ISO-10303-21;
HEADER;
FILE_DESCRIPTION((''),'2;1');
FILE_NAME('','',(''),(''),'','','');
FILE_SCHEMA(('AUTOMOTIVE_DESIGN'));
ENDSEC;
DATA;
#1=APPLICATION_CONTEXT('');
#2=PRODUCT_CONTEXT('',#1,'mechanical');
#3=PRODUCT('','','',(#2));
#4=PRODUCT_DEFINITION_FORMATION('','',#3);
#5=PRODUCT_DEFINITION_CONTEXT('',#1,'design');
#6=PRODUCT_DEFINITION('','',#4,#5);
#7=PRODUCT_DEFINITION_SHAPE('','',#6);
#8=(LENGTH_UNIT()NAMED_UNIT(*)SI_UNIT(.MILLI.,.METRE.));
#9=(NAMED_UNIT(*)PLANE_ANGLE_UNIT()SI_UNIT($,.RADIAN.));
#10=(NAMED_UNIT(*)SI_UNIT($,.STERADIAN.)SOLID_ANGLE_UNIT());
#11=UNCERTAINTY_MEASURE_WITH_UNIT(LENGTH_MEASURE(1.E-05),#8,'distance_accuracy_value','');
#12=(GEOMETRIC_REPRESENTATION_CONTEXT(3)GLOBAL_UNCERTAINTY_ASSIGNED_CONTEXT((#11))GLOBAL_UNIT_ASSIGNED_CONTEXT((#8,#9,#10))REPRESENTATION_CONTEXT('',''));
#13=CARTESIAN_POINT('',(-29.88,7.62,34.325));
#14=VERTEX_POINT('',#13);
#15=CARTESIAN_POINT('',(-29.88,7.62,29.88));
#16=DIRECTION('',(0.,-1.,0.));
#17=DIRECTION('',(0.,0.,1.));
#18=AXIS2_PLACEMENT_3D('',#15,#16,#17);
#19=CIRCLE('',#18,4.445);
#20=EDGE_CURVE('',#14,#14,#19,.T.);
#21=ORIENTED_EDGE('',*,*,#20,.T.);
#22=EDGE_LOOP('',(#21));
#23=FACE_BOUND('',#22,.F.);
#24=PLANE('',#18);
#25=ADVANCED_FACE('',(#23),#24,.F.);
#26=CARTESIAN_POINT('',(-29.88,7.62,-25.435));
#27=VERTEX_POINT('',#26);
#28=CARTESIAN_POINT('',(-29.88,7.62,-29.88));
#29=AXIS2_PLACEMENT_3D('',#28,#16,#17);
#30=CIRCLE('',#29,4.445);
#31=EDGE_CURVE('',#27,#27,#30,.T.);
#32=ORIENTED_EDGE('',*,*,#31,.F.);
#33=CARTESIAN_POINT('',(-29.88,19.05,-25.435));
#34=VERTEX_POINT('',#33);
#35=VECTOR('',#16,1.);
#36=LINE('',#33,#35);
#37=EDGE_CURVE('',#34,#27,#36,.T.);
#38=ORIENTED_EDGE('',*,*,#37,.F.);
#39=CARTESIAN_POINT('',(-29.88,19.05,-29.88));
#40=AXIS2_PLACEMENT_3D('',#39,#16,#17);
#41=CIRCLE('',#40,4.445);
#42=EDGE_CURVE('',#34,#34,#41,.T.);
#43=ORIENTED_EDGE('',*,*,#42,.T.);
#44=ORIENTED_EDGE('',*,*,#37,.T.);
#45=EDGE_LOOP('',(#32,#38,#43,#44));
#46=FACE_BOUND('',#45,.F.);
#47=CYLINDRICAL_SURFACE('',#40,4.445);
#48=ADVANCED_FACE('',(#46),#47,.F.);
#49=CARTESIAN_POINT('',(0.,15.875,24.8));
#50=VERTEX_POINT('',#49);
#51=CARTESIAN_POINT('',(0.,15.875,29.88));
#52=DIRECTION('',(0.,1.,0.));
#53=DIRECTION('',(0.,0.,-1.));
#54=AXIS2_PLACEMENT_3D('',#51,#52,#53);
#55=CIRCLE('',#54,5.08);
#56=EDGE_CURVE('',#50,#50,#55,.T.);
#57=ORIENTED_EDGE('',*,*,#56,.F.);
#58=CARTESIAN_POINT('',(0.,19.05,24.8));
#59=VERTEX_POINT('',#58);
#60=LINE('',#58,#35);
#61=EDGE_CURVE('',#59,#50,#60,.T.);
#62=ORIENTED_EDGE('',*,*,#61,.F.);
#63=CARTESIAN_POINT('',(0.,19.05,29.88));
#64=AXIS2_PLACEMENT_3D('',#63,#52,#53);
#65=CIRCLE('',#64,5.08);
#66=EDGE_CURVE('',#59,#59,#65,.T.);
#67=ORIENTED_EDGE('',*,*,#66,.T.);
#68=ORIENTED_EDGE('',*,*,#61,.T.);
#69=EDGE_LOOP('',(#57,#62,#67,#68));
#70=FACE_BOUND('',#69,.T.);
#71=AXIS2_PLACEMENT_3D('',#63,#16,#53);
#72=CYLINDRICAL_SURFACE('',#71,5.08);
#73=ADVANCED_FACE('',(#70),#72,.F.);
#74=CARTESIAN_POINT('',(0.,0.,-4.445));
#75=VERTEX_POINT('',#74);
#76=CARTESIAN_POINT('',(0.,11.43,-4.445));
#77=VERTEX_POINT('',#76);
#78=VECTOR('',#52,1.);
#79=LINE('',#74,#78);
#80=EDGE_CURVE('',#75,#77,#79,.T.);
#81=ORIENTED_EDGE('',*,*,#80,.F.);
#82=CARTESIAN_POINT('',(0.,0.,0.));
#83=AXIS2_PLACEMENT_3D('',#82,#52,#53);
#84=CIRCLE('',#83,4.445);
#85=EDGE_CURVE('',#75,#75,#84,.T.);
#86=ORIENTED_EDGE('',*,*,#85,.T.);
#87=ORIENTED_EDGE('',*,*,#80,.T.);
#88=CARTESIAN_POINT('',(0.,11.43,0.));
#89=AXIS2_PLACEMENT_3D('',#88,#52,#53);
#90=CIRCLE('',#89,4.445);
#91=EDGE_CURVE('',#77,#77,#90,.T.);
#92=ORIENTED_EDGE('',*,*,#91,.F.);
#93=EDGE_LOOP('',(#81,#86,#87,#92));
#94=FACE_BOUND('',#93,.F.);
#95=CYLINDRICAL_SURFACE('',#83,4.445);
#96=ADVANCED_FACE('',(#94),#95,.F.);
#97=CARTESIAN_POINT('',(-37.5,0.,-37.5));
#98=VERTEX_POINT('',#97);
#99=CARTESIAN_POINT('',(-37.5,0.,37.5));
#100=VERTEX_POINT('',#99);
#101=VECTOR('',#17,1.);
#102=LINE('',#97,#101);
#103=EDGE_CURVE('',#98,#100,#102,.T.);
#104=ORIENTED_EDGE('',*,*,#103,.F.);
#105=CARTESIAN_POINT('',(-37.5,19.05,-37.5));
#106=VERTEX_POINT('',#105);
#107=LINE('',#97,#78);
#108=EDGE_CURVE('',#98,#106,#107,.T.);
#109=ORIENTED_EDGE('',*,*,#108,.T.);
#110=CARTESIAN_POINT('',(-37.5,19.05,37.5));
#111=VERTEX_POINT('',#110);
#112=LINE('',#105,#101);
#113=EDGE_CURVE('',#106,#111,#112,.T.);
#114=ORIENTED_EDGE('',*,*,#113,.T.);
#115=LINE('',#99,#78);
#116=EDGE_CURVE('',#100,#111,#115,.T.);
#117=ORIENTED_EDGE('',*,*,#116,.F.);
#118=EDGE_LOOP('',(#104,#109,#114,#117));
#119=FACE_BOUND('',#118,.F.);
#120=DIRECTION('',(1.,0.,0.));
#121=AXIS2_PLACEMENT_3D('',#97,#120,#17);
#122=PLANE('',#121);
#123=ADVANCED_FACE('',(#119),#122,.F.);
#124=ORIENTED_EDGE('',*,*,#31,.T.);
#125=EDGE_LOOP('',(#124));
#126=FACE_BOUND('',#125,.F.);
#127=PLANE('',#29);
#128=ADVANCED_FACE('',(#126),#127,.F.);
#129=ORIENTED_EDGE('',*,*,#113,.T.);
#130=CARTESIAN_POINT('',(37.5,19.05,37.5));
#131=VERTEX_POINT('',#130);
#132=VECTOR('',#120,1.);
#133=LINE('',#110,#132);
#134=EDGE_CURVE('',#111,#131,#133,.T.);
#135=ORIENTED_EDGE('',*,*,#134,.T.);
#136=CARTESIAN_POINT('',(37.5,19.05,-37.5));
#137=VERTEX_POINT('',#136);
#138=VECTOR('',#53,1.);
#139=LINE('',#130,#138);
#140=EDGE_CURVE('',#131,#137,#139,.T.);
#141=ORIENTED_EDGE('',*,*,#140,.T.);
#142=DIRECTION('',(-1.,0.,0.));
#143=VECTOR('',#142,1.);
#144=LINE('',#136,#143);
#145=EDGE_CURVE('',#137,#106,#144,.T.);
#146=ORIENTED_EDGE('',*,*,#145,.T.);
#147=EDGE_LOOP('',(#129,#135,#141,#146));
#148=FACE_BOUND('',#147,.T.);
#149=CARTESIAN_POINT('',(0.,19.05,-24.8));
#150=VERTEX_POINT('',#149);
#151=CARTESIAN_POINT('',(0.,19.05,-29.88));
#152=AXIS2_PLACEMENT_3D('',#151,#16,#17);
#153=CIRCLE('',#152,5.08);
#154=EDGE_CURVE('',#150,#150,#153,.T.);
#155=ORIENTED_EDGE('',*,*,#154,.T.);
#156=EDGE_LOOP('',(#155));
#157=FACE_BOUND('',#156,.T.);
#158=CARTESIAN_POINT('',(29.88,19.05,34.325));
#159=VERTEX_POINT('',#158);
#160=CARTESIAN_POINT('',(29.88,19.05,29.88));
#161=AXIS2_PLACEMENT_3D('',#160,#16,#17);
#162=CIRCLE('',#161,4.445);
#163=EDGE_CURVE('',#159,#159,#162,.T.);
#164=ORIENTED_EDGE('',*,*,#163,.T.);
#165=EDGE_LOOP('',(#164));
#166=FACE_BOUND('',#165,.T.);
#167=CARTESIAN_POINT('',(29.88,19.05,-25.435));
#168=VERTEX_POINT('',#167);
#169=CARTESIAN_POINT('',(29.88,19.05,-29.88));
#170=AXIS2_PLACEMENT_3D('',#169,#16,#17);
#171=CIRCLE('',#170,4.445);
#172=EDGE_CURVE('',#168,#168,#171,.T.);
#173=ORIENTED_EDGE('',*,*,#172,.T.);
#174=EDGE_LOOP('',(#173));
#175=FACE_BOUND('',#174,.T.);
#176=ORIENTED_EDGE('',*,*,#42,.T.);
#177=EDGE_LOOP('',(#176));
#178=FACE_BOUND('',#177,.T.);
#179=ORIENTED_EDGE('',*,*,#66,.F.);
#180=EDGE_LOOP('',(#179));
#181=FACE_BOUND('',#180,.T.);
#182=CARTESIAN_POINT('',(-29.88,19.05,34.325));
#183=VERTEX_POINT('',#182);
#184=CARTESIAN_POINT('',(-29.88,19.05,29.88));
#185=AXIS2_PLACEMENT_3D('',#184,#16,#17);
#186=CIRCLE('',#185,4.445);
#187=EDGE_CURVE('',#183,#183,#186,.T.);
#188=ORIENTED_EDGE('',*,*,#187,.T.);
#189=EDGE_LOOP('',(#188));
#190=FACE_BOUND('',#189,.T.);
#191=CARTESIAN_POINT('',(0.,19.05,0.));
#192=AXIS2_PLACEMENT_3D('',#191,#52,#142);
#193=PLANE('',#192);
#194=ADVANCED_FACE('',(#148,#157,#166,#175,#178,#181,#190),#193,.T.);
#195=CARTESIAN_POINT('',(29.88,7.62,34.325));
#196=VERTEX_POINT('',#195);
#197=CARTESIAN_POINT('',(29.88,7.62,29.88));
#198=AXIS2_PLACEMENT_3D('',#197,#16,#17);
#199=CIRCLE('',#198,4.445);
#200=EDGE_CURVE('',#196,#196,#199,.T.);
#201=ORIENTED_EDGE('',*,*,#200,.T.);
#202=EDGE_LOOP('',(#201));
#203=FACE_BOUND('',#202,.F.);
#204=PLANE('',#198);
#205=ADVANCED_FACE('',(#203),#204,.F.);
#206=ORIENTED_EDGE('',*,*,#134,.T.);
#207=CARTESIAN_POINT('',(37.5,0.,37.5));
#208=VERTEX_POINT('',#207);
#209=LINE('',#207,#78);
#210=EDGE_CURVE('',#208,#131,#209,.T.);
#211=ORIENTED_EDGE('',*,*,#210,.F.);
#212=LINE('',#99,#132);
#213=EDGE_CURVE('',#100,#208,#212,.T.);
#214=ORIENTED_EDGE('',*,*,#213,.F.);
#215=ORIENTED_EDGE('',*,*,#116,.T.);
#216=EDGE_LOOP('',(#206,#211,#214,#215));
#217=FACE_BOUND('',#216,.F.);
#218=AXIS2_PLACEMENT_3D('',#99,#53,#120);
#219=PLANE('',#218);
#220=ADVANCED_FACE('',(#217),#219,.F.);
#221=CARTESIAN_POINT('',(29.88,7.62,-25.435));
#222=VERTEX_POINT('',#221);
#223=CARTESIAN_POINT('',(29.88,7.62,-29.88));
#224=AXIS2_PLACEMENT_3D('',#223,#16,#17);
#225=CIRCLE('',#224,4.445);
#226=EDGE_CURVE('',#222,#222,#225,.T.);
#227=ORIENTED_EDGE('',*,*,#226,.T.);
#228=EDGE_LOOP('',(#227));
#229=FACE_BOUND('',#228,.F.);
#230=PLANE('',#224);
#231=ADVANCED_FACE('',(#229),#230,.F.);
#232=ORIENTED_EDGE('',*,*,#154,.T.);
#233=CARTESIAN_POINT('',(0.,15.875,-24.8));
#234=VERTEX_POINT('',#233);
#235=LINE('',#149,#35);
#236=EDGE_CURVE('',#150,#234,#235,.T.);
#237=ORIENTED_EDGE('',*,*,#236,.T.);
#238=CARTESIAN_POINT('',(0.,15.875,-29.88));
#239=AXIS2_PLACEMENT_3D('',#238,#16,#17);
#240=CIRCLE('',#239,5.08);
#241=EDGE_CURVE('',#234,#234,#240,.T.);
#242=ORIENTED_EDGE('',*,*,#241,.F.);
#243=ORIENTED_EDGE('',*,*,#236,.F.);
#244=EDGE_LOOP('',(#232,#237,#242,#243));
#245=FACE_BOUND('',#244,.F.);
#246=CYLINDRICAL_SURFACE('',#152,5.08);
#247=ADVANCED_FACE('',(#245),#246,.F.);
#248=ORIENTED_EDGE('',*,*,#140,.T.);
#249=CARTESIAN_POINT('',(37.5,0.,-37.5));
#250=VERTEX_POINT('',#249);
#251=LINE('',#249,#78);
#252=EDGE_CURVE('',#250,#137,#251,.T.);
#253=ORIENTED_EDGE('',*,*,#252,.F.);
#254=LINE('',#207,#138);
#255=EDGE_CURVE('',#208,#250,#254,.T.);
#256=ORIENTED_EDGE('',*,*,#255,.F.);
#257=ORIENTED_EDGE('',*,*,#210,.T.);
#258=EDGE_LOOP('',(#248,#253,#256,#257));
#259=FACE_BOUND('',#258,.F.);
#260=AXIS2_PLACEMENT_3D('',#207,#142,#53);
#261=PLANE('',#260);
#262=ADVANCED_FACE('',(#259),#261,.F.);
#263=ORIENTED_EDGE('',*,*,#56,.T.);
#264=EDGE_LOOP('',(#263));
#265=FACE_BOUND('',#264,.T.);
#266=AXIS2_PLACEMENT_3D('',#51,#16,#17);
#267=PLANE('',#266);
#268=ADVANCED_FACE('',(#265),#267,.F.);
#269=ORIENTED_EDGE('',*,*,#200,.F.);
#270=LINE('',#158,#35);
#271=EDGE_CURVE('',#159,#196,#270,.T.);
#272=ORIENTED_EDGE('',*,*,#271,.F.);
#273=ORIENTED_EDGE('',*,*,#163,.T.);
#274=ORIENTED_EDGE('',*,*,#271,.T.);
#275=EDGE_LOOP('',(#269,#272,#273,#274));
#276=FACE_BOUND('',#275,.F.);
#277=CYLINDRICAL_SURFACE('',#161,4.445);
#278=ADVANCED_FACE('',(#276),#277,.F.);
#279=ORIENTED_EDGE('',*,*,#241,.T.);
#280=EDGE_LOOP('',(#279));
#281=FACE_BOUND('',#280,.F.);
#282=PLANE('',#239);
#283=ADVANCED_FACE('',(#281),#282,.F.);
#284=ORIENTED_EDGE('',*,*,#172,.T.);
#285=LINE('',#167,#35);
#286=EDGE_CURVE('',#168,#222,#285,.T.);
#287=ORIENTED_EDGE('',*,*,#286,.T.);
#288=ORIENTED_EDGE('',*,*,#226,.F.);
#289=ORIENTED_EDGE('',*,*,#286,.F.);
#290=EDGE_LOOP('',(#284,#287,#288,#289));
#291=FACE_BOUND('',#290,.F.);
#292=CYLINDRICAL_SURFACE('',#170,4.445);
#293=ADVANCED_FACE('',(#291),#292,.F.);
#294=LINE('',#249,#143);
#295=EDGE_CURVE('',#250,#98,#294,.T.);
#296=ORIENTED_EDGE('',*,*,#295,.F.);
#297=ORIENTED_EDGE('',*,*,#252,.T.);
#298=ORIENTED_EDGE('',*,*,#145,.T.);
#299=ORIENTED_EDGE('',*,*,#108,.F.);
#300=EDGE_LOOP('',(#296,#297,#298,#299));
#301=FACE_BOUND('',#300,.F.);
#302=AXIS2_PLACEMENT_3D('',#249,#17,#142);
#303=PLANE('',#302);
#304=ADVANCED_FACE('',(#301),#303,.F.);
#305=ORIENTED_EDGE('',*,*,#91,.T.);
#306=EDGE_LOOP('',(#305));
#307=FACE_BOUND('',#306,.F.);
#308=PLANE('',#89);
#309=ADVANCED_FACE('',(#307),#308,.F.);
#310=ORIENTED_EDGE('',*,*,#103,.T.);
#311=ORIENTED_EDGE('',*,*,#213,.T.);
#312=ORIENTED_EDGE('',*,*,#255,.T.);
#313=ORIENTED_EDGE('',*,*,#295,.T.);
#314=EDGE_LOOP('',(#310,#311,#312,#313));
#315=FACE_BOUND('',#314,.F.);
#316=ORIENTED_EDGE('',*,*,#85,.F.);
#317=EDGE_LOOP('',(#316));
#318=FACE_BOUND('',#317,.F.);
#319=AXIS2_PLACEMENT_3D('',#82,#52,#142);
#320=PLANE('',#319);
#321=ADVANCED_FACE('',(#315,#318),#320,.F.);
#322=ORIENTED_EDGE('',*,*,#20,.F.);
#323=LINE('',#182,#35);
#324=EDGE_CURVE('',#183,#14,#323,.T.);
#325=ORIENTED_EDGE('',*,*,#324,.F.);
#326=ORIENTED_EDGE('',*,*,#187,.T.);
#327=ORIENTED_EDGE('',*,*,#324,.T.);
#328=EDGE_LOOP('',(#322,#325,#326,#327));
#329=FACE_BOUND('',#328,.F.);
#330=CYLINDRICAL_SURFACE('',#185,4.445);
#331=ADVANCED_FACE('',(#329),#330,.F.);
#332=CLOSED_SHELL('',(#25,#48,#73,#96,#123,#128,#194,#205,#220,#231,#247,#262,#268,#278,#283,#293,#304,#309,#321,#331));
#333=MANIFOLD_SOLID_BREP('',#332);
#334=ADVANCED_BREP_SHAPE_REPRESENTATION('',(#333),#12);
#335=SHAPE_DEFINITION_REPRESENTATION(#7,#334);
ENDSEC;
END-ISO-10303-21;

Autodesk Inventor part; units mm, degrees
ref_plane "YZ Plane" through (0, 0, 0) normal (1, 0, 0) x (0, 1, 0)
ref_plane "XZ Plane" through (0, 0, 0) normal (0, 1, 0) x (-1, 0, 0)
ref_plane "XY Plane" through (0, 0, 0) normal (0, 0, 1) x (1, 0, 0)
sketch "Sketch1" plane through (0, 0, 0) normal (0, 1, 0) x (-1, 0, 0)
  line L0 (37.5, 37.5) -> (-37.5, 37.5)
  line L1 (-37.5, 37.5) -> (-37.5, -37.5)
  line L2 (-37.5, -37.5) -> (37.5, -37.5)
  line L3 (37.5, -37.5) -> (37.5, 37.5)
  point P0 (0, 0)
  dimension "d0" = 75
  dimension "d1" = 75
  dimension "d2" = 37.5
  dimension "d3" = 37.5
extrude "Extrusion1" add sketch "Sketch1" along normal blind 19.05
sketch "Sketch3" plane through (0, 19.05, 0) normal (0, 1, 0) x (1, 0, 0)
  line L0 (-37.5, 37.5) -> (-37.5, -37.5) projected
  line L1 (37.5, 37.5) -> (-37.5, 37.5) projected
  point P0 (0, 0)
  point P1 (-29.88, 29.88)
  dimension "d27" = 7.62
  dimension "d28" = 7.62
hole "Hole2" at (-29.88, 19.05, -29.88) direction (0, -1, 0) diameter 8.89 depth 11.43
pattern_linear "Rectangular Pattern1" count 2 spacing 59.76 along (1, 0, 0) count 2 spacing 59.76 along (0, 0, 1) of "Hole2"
sketch "Sketch4" plane through (0, 19.05, 0) normal (0, 1, 0) x (1, 0, 0)
  line L0 (37.5, 37.5) -> (-37.5, 37.5) projected
  point P0 (0, 0)
  point P1 (0, 29.88)
  dimension "d36" = 0
  dimension "d37" = 7.62
hole "Hole3" at (0, 19.05, -29.88) direction (0, -1, 0) diameter 10.16 depth 3.175
mirror "Mirror1" about plane through (0, 0, 0) normal (0, 0, 1) of "Hole3"
sketch "Sketch5" plane through (0, 0, 0) normal (0, -1, 0) x (1, 0, 0)
  point P0 (0, 0)
  point P1 (0, 0)
hole "Hole4" at (0, 0, 0) direction (0, 1, 0) diameter 8.89 depth 11.43
properties part number "antennaTripodMount"
